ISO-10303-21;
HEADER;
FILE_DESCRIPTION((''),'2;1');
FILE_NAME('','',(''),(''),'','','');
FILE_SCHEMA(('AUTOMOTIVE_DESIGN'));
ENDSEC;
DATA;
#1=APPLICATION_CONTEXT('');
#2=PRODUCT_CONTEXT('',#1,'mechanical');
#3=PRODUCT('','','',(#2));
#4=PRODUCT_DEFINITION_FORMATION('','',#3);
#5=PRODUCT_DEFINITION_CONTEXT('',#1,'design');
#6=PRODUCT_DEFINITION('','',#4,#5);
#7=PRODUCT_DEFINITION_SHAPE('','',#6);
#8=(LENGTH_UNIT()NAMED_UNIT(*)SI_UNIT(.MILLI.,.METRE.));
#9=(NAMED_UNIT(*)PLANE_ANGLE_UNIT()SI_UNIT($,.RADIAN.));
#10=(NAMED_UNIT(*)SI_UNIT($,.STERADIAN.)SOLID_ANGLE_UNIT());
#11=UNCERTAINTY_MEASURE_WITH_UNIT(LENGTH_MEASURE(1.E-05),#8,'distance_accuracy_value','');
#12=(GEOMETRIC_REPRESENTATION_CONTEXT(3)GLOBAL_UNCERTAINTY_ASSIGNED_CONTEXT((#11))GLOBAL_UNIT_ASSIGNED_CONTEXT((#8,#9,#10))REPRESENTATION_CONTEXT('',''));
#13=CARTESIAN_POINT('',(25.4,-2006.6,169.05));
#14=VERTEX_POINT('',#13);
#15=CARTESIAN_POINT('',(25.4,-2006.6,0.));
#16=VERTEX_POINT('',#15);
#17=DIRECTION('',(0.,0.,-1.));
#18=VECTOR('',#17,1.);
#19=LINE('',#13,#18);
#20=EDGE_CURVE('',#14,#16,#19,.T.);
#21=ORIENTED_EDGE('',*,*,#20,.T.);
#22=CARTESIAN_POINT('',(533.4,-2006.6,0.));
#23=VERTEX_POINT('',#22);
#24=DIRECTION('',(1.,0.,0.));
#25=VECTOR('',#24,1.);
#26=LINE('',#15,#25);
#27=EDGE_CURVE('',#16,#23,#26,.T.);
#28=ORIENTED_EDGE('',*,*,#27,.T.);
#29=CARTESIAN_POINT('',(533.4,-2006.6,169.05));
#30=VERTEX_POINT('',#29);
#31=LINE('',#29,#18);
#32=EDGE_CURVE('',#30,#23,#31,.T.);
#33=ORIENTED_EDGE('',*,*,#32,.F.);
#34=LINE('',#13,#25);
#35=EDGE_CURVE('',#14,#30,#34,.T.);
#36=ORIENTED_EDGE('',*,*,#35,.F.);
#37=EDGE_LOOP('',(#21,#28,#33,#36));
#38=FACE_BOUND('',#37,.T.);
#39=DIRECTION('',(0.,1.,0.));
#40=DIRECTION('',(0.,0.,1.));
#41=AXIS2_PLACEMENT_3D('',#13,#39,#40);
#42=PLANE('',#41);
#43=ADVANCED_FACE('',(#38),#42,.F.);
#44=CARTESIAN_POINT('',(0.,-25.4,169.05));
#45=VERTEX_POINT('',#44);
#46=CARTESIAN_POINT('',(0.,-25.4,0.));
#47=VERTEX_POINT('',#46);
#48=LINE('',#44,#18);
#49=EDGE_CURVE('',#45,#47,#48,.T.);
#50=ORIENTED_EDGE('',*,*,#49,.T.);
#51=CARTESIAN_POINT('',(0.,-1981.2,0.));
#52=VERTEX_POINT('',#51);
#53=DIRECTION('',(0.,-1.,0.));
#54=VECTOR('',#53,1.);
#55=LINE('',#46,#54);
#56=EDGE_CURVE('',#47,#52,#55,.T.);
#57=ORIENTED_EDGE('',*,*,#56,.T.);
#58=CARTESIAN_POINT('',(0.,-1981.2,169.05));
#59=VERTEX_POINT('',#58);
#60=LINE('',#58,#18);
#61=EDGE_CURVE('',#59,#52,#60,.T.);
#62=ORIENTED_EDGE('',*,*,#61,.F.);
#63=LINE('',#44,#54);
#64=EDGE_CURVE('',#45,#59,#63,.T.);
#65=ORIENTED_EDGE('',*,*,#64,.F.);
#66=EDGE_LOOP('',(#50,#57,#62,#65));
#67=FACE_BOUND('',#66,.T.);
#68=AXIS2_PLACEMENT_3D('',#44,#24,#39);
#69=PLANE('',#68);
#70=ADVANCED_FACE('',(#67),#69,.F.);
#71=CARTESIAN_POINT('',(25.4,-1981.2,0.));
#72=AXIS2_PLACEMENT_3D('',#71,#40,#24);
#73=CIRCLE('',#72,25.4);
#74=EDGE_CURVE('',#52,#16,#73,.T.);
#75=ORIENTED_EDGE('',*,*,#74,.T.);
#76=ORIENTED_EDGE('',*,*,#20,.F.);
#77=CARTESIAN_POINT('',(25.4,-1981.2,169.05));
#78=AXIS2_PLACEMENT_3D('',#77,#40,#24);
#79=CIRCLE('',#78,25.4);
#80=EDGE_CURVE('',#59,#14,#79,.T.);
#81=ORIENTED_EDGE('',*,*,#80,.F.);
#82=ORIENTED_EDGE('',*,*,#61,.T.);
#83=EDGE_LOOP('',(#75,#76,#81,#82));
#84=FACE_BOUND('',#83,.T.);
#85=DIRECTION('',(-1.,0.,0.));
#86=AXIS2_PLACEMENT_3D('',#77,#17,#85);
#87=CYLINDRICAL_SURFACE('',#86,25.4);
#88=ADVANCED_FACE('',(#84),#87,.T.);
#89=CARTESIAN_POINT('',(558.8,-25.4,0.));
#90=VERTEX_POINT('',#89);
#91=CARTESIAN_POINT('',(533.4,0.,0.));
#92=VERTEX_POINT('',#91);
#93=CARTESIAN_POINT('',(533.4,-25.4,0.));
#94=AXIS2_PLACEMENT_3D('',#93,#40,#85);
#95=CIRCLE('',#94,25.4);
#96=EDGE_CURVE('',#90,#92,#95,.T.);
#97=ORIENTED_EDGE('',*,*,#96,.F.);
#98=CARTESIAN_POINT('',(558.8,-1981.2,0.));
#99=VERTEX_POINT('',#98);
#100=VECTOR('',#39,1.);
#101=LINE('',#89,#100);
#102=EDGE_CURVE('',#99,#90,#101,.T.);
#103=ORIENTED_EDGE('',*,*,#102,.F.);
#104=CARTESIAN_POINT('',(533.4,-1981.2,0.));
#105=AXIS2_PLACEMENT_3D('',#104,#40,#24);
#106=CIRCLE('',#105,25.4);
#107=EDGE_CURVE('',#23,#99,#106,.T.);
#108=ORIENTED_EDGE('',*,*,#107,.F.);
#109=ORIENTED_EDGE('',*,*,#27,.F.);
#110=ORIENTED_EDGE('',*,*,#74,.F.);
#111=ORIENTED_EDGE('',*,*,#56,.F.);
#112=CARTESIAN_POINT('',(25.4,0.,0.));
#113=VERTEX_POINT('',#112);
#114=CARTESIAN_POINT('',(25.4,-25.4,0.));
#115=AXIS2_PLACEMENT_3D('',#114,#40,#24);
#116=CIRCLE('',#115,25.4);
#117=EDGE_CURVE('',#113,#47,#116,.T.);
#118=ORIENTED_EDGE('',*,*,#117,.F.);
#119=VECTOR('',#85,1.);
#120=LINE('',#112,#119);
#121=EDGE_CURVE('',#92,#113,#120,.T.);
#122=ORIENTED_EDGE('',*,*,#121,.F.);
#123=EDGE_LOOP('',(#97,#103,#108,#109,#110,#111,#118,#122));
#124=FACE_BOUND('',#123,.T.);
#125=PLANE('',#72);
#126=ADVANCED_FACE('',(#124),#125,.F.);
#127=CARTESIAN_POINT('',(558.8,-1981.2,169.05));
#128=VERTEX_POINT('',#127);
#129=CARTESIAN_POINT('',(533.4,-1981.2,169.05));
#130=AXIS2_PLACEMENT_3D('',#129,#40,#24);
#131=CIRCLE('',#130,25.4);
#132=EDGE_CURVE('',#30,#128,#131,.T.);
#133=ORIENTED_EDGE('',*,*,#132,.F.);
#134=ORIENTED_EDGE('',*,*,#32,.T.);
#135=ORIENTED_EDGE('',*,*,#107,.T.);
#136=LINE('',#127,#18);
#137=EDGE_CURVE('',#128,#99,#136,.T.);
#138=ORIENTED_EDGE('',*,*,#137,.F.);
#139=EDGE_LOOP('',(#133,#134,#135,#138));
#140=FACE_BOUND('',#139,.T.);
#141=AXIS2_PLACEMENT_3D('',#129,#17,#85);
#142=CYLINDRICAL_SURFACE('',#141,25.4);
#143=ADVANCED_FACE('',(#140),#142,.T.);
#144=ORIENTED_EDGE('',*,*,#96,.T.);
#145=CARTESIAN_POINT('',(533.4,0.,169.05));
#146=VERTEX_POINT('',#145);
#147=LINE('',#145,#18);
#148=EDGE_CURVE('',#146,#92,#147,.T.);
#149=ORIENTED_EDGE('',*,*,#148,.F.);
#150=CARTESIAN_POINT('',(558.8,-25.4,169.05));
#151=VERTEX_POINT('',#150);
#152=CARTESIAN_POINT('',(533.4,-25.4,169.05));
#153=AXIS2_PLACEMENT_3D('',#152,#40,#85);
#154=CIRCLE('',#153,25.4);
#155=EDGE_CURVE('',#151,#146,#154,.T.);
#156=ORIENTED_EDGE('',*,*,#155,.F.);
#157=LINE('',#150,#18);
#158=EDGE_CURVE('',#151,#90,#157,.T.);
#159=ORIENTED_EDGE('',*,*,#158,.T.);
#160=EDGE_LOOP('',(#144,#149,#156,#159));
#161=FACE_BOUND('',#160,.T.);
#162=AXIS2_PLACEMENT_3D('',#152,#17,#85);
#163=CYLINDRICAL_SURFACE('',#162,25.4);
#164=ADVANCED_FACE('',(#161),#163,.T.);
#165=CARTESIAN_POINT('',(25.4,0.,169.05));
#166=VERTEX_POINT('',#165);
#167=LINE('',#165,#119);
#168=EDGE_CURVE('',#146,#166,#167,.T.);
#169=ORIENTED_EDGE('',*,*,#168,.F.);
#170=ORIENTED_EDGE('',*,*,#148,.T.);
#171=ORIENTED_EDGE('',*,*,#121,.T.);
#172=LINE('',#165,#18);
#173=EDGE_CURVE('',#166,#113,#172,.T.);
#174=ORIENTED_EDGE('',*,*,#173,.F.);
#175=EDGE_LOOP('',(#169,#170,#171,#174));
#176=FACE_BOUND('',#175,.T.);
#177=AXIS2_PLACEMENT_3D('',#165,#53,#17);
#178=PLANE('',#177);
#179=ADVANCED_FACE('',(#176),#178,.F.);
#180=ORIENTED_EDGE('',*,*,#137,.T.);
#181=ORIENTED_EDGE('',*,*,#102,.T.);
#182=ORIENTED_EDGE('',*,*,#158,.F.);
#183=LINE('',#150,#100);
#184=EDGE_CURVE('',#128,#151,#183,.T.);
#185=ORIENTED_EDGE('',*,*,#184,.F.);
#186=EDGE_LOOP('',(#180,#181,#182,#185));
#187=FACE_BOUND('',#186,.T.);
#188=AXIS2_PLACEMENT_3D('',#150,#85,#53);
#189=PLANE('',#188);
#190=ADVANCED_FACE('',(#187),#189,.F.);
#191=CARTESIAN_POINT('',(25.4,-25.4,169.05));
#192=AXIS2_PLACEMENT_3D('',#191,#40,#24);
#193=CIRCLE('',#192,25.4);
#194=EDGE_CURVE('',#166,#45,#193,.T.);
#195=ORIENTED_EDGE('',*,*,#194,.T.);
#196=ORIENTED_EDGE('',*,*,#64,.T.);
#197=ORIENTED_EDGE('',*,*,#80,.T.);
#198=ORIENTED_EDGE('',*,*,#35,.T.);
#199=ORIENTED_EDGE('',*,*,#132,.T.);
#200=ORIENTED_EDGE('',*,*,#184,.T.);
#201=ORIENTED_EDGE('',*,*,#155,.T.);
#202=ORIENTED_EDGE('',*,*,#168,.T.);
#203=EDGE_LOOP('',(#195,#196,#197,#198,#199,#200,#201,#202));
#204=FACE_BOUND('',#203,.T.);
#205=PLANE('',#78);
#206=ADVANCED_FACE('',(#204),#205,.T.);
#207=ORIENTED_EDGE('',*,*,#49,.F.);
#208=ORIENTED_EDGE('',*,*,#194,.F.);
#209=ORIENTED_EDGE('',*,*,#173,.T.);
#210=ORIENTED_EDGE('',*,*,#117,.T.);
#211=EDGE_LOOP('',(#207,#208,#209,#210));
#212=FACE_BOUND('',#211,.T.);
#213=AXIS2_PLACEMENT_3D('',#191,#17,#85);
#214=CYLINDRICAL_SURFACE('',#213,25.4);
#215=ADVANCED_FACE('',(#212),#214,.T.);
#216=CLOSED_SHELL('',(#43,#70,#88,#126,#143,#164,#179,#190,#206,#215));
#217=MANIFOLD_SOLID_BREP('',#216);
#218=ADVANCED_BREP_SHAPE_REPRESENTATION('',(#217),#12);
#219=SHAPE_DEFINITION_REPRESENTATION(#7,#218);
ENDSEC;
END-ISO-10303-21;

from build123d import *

# Parameters (mm, degrees)
BOSS_EXTRUDE1_DEPTH = 169.05


with BuildPart() as part:
    # Sketch1 → Boss-Extrude1 (new body)
    with BuildSketch(Plane.XY):
        with BuildLine():
            Line((25.4, 0), (533.4, 0))
            ThreePointArc((533.4, 0), (551.360512242, -7.439487758), (558.8, -25.4))
            Line((558.8, -25.4), (558.8, -1981.2))
            ThreePointArc((558.8, -1981.2), (551.360512242, -1999.160512242), (533.4, -2006.6))
            Line((533.4, -2006.6), (25.4, -2006.6))
            ThreePointArc((25.4, -2006.6), (7.439487758, -1999.160512242), (0, -1981.2))
            Line((0, -1981.2), (0, -25.4))
            ThreePointArc((0, -25.4), (7.439487758, -7.439487758), (25.4, 0))
        make_face()
    extrude(amount=BOSS_EXTRUDE1_DEPTH)


solid = part.part
